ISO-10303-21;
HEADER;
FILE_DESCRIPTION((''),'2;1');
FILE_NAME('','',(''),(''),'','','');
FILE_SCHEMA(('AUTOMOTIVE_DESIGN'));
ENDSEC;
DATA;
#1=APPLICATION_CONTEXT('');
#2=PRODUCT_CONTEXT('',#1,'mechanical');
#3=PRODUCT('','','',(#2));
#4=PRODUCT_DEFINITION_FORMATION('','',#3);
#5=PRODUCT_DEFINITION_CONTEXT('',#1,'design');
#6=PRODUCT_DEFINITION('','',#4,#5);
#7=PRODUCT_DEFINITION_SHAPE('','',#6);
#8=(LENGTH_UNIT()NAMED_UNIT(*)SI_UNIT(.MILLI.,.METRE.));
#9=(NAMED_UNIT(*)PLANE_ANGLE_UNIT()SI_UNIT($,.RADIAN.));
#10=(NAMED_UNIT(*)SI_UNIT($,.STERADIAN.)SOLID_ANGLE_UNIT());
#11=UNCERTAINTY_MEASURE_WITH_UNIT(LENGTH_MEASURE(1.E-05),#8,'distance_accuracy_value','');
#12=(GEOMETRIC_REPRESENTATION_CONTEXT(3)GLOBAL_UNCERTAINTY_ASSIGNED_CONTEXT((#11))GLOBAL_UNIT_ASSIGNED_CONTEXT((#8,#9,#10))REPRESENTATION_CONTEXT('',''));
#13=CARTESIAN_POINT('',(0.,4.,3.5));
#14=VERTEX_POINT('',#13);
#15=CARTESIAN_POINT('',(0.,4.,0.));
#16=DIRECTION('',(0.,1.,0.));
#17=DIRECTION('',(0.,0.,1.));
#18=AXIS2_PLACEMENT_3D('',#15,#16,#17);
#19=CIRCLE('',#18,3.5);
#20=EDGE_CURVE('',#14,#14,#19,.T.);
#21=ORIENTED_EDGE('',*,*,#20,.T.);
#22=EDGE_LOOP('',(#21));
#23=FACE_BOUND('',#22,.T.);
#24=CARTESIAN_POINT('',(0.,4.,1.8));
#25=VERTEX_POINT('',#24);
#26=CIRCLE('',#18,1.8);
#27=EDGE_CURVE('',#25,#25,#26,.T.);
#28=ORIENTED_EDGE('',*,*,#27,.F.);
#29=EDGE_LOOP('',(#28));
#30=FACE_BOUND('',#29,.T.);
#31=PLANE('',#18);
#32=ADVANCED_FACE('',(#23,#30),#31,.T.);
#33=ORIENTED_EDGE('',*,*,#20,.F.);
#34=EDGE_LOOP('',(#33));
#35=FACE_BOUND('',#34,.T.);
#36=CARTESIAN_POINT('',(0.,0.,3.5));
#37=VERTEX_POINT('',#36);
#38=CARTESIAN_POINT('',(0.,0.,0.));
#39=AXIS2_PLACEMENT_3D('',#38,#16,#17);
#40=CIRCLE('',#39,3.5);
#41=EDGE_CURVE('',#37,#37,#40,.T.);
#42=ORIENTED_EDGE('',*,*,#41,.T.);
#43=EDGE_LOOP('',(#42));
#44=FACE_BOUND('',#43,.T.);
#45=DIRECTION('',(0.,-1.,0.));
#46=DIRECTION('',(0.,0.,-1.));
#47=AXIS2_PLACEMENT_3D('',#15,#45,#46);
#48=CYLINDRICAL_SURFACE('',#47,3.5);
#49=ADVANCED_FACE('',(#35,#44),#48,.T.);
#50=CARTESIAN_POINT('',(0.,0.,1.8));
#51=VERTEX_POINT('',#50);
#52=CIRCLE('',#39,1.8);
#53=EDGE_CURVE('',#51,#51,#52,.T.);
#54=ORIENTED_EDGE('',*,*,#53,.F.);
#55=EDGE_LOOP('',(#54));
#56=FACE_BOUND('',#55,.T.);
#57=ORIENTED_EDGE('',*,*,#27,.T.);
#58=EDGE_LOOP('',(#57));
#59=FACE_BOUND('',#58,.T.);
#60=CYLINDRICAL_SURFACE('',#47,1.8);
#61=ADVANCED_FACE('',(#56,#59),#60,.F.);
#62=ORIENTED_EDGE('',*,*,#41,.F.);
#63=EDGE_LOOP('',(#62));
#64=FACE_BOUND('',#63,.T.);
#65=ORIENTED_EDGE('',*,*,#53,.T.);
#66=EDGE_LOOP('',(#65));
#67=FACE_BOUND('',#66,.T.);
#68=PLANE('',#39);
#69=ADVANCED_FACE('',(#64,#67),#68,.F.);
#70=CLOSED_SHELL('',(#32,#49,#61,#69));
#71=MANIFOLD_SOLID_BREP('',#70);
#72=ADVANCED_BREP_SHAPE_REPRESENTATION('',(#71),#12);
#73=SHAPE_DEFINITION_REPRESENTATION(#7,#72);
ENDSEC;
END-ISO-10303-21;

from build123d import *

# Parameters (mm, degrees)
SKETCH1_R           = 3.5
SKETCH1_R_2         = 1.8
BOSS_EXTRUDE1_DEPTH = 4


with BuildPart() as part:
    # Sketch1 → Boss-Extrude1 (new body)
    with BuildSketch(Plane(origin=(0, 0, 0), x_dir=(1, 0, 0), z_dir=(0, 1, 0))):
        with Locations(Location((0, 0, 0), (0, 0, 270))):
            Circle(SKETCH1_R)
        with Locations(Location((0, 0, 0), (0, 0, 270))):
            Circle(SKETCH1_R_2, mode=Mode.SUBTRACT)
    extrude(amount=BOSS_EXTRUDE1_DEPTH)


solid = part.part
